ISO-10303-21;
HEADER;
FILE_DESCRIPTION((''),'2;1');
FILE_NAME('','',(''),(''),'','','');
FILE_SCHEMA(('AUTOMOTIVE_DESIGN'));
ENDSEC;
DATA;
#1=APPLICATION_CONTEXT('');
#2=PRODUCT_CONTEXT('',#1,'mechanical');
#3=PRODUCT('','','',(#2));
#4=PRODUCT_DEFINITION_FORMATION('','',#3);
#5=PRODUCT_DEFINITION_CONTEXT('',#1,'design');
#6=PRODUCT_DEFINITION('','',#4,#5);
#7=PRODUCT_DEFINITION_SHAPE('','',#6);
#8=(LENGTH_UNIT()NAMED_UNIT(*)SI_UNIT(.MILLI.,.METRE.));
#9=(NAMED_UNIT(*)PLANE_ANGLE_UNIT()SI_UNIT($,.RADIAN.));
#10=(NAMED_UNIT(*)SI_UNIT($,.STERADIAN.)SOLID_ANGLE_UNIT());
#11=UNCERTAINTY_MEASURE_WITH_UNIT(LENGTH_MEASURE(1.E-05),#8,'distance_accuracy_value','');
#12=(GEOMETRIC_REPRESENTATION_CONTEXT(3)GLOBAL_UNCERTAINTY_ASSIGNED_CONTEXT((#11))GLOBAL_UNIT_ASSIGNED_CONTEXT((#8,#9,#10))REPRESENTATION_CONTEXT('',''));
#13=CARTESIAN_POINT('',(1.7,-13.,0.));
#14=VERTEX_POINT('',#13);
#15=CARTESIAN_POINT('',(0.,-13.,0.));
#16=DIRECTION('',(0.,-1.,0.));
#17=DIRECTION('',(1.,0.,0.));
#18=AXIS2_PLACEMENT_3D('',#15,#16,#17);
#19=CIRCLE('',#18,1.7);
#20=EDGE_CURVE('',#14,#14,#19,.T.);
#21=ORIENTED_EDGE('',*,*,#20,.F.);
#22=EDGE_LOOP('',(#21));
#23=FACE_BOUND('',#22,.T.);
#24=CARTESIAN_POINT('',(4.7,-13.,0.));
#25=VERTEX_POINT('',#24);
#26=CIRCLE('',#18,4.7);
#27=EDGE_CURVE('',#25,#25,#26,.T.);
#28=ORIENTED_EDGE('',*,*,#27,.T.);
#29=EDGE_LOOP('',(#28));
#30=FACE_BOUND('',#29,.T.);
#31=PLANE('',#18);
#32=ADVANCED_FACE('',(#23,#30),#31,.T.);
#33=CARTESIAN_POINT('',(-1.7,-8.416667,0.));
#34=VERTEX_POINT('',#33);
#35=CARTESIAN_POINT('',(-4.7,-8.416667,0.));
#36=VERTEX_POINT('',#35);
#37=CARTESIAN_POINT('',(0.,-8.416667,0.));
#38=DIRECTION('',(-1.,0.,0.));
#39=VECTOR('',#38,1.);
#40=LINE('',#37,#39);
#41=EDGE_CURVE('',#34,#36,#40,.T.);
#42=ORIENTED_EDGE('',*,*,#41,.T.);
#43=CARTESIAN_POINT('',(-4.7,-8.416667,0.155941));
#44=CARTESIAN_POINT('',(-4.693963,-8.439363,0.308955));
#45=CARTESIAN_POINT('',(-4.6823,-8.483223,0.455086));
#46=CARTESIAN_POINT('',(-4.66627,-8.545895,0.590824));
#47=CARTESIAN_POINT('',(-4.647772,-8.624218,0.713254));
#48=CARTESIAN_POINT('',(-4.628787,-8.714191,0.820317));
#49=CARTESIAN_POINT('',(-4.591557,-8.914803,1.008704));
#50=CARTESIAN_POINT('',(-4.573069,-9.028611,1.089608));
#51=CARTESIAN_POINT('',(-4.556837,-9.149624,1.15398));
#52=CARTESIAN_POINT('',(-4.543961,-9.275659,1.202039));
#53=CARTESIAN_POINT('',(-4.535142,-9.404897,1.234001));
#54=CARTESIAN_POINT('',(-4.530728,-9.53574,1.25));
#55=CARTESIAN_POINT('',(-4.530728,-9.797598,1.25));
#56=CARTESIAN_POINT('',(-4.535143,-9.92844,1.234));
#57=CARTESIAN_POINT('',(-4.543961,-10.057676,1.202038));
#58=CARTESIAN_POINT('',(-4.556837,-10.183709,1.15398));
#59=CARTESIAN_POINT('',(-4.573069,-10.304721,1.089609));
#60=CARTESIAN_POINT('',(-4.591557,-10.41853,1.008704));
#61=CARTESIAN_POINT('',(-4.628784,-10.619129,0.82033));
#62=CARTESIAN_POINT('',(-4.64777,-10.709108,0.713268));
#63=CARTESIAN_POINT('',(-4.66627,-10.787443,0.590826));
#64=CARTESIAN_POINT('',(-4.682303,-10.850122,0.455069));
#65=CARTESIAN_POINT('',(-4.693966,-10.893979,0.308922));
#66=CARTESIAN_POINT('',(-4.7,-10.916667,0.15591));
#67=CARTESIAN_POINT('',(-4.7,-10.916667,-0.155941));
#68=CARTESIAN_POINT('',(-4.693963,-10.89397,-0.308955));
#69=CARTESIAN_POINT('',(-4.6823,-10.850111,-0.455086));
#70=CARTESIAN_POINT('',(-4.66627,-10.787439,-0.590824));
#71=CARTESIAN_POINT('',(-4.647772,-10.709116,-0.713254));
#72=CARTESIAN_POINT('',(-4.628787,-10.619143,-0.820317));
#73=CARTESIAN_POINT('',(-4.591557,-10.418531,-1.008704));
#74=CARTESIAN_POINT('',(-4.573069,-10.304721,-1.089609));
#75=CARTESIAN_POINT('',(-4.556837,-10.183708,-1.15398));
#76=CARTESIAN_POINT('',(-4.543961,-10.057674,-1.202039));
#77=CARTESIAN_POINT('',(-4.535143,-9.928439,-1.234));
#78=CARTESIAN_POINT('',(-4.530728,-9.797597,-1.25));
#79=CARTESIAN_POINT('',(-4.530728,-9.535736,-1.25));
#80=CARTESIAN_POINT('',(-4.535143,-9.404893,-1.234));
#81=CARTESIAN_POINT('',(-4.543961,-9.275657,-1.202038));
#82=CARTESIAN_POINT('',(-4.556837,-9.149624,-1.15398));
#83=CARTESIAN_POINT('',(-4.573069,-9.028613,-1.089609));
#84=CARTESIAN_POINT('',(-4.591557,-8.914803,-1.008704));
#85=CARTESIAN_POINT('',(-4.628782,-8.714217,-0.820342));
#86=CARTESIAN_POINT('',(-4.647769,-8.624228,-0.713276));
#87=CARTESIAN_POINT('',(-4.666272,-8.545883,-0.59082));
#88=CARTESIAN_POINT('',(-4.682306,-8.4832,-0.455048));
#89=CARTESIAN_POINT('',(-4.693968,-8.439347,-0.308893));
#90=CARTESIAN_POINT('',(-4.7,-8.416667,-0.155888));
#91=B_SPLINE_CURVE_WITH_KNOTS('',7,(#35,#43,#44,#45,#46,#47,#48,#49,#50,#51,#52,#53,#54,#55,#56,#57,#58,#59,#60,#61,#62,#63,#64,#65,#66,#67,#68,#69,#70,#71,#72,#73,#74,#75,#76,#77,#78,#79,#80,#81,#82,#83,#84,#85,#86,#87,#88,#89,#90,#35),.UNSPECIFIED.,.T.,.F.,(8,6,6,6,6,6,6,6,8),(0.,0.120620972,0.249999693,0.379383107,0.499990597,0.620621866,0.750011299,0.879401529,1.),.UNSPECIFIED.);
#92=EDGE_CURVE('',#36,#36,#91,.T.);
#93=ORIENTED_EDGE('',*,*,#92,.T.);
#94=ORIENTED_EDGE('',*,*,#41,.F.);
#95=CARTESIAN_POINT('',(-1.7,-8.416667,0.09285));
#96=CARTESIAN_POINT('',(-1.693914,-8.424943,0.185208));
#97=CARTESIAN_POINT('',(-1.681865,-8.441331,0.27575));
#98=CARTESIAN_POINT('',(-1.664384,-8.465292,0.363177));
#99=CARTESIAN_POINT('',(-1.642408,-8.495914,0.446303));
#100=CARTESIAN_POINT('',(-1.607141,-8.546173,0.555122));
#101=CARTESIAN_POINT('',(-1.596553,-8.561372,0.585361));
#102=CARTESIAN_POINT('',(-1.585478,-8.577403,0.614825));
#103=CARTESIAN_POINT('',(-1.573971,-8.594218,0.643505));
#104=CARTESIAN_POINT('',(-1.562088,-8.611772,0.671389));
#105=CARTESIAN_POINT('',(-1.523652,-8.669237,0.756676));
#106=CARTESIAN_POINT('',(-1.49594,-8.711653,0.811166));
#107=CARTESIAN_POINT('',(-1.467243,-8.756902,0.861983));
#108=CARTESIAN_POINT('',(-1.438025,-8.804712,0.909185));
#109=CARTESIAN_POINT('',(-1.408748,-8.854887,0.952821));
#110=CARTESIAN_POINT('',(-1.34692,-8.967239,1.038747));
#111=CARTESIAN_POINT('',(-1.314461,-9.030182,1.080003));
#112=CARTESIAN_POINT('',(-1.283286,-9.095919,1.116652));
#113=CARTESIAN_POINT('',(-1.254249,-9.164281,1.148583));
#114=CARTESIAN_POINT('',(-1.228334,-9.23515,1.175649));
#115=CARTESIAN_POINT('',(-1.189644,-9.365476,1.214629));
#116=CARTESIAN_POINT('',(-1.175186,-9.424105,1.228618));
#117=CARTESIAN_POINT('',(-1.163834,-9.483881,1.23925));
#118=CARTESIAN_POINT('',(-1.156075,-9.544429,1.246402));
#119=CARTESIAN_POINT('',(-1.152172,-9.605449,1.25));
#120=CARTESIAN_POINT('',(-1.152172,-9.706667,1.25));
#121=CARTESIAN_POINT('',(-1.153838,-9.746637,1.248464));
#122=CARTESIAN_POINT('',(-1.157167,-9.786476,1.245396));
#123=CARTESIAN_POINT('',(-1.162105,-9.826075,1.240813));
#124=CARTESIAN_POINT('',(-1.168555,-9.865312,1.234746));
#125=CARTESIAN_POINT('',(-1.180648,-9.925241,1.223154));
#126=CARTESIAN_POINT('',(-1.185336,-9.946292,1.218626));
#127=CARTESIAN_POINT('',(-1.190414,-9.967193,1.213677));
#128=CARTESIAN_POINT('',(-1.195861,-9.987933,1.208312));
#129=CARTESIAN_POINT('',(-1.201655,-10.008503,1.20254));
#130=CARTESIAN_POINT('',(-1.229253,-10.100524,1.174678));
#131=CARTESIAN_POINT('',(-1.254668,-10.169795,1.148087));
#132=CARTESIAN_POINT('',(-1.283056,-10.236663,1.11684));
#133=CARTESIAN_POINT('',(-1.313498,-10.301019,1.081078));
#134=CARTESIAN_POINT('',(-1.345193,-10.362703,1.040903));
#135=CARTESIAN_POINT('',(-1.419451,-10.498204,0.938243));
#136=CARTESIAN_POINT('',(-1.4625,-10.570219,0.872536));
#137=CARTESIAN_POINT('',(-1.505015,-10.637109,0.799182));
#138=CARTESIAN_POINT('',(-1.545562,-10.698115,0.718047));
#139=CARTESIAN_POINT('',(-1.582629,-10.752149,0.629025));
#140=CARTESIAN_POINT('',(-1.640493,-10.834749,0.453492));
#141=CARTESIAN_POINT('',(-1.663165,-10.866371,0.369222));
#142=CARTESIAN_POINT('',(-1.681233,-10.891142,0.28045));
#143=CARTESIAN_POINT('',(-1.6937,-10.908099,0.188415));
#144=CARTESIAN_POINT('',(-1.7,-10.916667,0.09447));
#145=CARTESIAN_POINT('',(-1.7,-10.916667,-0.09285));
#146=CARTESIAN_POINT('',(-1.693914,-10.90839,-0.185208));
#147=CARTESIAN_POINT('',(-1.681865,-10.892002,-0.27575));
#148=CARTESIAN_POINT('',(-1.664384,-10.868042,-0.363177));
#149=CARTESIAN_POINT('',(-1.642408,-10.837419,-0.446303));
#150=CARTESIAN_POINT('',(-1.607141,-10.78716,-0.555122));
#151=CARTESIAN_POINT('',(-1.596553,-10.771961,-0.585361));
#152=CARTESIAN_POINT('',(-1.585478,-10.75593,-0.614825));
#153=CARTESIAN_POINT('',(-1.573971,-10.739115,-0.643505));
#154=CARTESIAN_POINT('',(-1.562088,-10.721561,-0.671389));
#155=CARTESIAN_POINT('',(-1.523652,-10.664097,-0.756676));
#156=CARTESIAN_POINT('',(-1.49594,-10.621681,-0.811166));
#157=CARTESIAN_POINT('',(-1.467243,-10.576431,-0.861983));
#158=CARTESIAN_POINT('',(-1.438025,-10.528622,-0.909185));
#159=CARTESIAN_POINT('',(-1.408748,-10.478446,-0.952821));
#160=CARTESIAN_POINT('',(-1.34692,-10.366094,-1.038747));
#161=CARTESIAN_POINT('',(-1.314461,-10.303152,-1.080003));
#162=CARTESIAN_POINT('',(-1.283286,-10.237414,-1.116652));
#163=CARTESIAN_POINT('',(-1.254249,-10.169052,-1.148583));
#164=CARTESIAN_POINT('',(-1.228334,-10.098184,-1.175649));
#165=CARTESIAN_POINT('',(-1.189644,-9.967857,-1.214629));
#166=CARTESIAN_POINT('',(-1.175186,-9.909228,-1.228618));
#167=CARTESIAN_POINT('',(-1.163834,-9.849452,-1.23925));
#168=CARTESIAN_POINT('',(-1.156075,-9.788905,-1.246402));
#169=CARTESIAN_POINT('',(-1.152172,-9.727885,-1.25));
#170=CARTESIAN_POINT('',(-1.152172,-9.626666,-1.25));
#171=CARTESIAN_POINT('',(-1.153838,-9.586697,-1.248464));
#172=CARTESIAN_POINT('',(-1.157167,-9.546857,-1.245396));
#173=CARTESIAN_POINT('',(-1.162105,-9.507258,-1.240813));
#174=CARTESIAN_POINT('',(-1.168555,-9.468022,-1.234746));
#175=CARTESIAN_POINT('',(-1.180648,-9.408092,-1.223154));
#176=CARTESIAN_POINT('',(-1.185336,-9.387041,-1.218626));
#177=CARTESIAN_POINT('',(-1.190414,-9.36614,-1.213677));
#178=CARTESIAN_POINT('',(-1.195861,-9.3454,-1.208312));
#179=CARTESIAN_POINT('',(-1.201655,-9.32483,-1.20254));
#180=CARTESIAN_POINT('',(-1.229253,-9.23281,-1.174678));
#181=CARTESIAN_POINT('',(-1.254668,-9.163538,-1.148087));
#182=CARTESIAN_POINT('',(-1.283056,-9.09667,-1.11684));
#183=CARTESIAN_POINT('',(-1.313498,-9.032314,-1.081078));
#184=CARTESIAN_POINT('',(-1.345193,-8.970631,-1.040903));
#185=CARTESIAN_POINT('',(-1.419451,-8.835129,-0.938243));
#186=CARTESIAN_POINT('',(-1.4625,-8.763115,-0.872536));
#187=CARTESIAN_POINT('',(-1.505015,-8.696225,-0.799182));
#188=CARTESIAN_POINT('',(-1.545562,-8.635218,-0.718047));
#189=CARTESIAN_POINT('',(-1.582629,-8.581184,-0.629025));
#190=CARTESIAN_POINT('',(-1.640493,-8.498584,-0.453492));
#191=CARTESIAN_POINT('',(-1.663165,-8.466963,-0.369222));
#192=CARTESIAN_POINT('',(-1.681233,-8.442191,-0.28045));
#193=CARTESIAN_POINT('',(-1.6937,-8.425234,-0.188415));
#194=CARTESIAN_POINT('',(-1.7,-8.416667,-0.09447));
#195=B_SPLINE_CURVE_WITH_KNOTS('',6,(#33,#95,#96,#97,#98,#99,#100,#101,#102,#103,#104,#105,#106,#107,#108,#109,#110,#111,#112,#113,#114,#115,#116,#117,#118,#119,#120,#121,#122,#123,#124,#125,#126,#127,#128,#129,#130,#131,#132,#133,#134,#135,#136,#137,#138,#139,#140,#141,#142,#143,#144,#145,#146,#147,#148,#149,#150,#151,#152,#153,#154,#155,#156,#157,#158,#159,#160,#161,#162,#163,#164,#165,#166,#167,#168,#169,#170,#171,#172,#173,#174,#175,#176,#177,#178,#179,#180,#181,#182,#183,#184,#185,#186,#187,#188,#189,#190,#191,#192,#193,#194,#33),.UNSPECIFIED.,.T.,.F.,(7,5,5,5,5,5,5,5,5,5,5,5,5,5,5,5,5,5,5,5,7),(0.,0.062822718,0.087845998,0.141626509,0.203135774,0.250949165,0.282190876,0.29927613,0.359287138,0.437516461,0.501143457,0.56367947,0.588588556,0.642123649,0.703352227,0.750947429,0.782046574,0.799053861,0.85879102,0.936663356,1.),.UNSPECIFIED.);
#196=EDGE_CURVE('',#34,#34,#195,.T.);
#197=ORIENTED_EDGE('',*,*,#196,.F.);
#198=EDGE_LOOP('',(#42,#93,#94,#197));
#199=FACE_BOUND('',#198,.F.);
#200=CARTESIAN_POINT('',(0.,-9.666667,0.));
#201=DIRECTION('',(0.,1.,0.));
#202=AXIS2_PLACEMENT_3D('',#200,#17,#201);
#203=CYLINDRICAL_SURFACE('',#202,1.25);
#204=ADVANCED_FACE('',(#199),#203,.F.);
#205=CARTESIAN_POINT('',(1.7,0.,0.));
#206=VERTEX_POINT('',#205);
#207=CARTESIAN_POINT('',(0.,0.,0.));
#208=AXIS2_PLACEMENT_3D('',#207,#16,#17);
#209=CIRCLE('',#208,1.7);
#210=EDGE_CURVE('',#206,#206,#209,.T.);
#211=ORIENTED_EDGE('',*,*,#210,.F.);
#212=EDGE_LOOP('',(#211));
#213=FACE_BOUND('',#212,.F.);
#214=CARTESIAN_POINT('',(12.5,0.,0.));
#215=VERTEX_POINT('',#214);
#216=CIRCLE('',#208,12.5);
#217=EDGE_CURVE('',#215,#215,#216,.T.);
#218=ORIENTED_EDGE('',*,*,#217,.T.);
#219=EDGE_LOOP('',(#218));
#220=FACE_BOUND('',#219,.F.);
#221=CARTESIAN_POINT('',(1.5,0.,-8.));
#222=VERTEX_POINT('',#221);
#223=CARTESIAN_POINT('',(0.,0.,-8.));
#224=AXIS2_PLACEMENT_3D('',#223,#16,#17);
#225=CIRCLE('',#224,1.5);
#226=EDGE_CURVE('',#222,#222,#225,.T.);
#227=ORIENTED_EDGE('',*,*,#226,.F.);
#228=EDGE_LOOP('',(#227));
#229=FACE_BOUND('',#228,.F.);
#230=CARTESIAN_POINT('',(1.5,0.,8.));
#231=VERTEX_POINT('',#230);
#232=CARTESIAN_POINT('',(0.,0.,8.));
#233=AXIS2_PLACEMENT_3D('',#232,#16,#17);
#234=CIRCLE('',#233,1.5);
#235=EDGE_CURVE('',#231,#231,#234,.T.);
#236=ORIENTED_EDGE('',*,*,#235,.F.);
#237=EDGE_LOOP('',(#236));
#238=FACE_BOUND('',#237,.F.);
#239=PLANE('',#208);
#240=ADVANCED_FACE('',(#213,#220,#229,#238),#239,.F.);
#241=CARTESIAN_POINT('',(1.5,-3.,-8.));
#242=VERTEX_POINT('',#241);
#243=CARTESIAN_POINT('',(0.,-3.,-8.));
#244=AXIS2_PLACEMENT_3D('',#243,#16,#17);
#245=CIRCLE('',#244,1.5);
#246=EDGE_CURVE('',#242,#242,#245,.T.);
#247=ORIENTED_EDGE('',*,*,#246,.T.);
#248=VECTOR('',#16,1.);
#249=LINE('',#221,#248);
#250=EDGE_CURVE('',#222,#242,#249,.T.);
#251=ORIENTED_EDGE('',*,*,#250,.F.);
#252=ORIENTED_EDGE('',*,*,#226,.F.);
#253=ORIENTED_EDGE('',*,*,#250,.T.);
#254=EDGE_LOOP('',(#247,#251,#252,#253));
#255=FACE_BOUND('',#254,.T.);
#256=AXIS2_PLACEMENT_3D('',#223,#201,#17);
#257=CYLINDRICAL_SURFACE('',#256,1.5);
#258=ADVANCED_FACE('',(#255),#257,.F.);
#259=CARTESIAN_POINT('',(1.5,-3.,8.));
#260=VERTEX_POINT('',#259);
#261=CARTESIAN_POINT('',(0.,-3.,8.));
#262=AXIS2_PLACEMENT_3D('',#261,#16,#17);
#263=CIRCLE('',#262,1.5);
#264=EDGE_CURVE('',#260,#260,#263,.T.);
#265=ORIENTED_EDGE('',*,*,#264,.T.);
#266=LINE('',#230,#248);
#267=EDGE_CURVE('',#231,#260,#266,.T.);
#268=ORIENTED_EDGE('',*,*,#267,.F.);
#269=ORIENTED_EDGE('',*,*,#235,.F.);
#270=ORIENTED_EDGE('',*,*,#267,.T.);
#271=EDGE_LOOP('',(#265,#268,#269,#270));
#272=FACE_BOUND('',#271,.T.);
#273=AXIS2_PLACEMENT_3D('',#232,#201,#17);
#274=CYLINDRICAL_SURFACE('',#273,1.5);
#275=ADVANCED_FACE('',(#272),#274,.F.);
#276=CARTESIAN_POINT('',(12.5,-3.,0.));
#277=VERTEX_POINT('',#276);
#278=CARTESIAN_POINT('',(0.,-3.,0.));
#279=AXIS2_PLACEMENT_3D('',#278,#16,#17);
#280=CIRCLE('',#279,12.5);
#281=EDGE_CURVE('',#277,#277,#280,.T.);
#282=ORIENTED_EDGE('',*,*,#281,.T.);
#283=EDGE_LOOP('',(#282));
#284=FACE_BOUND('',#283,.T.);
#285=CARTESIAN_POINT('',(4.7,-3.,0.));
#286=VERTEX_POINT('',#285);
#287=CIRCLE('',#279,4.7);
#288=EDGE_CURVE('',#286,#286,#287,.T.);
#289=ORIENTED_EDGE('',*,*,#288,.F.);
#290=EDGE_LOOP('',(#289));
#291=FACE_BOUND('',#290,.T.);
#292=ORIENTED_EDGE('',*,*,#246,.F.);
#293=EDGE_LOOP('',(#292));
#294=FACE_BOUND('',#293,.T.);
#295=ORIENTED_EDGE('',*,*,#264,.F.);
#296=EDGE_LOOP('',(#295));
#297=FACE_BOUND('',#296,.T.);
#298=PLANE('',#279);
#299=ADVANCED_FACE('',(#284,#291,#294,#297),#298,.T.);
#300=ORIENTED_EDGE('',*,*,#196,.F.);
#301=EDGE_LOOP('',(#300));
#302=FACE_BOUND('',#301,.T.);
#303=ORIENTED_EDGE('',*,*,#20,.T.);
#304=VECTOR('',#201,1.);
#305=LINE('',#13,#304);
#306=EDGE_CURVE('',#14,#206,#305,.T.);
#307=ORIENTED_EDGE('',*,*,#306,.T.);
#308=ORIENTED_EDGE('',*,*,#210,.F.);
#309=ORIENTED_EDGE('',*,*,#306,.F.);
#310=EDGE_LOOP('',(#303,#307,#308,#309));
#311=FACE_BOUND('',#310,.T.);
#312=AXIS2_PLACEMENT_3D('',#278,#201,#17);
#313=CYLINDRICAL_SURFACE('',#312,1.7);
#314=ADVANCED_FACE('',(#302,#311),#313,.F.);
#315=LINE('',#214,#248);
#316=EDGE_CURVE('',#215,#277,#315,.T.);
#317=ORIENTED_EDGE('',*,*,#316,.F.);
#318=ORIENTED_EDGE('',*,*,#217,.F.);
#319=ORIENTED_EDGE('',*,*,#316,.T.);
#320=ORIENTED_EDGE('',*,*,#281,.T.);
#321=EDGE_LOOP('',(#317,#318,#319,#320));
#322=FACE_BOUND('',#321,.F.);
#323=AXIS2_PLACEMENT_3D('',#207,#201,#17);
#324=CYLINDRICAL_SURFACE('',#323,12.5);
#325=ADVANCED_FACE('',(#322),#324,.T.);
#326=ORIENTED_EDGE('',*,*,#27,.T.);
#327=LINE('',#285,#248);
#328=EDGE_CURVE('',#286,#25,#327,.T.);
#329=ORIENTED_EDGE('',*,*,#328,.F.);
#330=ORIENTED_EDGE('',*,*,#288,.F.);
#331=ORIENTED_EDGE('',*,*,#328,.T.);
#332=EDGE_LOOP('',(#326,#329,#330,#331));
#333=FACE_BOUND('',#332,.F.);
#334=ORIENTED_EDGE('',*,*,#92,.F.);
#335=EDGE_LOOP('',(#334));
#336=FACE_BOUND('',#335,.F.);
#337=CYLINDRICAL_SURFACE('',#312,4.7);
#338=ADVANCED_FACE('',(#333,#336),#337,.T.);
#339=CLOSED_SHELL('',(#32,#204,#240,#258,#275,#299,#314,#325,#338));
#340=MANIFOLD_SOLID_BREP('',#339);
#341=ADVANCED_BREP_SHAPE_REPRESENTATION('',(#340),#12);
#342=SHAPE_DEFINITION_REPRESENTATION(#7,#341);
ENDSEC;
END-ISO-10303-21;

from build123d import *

# Parameters (mm, degrees)
F2_R     = 12.5
F2_R_2   = 1.5
F2_R_3   = 1.7
F3_DEPTH = 3
F4_R     = 4.7
F4_R_2   = 1.7
F5_DEPTH = 10
F6_R     = 1.25
F7_DEPTH = 25


with BuildPart() as f3:
    # F2 (on Front) → F3 (new body)
    with BuildSketch(Plane.XZ):
        Circle(F2_R)
        with Locations((0, -8)):
            Circle(F2_R_2, mode=Mode.SUBTRACT)
        Circle(F2_R_3, mode=Mode.SUBTRACT)
        with Locations((0, 8)):
            Circle(F2_R_2, mode=Mode.SUBTRACT)
    extrude(amount=F3_DEPTH)

    # F4 (on face) → F5 (join)
    with BuildSketch(Plane.XZ.offset(3)):
        Circle(F4_R)
        Circle(F4_R_2, mode=Mode.SUBTRACT)
    extrude(amount=F5_DEPTH)

    # F6 (on Right) → F7 (cut)
    with BuildSketch(Plane.YZ):
        with Locations((-9.6666666667, 0)):
            Circle(F6_R)
    extrude(amount=-F7_DEPTH, mode=Mode.SUBTRACT)


solid = f3.part
